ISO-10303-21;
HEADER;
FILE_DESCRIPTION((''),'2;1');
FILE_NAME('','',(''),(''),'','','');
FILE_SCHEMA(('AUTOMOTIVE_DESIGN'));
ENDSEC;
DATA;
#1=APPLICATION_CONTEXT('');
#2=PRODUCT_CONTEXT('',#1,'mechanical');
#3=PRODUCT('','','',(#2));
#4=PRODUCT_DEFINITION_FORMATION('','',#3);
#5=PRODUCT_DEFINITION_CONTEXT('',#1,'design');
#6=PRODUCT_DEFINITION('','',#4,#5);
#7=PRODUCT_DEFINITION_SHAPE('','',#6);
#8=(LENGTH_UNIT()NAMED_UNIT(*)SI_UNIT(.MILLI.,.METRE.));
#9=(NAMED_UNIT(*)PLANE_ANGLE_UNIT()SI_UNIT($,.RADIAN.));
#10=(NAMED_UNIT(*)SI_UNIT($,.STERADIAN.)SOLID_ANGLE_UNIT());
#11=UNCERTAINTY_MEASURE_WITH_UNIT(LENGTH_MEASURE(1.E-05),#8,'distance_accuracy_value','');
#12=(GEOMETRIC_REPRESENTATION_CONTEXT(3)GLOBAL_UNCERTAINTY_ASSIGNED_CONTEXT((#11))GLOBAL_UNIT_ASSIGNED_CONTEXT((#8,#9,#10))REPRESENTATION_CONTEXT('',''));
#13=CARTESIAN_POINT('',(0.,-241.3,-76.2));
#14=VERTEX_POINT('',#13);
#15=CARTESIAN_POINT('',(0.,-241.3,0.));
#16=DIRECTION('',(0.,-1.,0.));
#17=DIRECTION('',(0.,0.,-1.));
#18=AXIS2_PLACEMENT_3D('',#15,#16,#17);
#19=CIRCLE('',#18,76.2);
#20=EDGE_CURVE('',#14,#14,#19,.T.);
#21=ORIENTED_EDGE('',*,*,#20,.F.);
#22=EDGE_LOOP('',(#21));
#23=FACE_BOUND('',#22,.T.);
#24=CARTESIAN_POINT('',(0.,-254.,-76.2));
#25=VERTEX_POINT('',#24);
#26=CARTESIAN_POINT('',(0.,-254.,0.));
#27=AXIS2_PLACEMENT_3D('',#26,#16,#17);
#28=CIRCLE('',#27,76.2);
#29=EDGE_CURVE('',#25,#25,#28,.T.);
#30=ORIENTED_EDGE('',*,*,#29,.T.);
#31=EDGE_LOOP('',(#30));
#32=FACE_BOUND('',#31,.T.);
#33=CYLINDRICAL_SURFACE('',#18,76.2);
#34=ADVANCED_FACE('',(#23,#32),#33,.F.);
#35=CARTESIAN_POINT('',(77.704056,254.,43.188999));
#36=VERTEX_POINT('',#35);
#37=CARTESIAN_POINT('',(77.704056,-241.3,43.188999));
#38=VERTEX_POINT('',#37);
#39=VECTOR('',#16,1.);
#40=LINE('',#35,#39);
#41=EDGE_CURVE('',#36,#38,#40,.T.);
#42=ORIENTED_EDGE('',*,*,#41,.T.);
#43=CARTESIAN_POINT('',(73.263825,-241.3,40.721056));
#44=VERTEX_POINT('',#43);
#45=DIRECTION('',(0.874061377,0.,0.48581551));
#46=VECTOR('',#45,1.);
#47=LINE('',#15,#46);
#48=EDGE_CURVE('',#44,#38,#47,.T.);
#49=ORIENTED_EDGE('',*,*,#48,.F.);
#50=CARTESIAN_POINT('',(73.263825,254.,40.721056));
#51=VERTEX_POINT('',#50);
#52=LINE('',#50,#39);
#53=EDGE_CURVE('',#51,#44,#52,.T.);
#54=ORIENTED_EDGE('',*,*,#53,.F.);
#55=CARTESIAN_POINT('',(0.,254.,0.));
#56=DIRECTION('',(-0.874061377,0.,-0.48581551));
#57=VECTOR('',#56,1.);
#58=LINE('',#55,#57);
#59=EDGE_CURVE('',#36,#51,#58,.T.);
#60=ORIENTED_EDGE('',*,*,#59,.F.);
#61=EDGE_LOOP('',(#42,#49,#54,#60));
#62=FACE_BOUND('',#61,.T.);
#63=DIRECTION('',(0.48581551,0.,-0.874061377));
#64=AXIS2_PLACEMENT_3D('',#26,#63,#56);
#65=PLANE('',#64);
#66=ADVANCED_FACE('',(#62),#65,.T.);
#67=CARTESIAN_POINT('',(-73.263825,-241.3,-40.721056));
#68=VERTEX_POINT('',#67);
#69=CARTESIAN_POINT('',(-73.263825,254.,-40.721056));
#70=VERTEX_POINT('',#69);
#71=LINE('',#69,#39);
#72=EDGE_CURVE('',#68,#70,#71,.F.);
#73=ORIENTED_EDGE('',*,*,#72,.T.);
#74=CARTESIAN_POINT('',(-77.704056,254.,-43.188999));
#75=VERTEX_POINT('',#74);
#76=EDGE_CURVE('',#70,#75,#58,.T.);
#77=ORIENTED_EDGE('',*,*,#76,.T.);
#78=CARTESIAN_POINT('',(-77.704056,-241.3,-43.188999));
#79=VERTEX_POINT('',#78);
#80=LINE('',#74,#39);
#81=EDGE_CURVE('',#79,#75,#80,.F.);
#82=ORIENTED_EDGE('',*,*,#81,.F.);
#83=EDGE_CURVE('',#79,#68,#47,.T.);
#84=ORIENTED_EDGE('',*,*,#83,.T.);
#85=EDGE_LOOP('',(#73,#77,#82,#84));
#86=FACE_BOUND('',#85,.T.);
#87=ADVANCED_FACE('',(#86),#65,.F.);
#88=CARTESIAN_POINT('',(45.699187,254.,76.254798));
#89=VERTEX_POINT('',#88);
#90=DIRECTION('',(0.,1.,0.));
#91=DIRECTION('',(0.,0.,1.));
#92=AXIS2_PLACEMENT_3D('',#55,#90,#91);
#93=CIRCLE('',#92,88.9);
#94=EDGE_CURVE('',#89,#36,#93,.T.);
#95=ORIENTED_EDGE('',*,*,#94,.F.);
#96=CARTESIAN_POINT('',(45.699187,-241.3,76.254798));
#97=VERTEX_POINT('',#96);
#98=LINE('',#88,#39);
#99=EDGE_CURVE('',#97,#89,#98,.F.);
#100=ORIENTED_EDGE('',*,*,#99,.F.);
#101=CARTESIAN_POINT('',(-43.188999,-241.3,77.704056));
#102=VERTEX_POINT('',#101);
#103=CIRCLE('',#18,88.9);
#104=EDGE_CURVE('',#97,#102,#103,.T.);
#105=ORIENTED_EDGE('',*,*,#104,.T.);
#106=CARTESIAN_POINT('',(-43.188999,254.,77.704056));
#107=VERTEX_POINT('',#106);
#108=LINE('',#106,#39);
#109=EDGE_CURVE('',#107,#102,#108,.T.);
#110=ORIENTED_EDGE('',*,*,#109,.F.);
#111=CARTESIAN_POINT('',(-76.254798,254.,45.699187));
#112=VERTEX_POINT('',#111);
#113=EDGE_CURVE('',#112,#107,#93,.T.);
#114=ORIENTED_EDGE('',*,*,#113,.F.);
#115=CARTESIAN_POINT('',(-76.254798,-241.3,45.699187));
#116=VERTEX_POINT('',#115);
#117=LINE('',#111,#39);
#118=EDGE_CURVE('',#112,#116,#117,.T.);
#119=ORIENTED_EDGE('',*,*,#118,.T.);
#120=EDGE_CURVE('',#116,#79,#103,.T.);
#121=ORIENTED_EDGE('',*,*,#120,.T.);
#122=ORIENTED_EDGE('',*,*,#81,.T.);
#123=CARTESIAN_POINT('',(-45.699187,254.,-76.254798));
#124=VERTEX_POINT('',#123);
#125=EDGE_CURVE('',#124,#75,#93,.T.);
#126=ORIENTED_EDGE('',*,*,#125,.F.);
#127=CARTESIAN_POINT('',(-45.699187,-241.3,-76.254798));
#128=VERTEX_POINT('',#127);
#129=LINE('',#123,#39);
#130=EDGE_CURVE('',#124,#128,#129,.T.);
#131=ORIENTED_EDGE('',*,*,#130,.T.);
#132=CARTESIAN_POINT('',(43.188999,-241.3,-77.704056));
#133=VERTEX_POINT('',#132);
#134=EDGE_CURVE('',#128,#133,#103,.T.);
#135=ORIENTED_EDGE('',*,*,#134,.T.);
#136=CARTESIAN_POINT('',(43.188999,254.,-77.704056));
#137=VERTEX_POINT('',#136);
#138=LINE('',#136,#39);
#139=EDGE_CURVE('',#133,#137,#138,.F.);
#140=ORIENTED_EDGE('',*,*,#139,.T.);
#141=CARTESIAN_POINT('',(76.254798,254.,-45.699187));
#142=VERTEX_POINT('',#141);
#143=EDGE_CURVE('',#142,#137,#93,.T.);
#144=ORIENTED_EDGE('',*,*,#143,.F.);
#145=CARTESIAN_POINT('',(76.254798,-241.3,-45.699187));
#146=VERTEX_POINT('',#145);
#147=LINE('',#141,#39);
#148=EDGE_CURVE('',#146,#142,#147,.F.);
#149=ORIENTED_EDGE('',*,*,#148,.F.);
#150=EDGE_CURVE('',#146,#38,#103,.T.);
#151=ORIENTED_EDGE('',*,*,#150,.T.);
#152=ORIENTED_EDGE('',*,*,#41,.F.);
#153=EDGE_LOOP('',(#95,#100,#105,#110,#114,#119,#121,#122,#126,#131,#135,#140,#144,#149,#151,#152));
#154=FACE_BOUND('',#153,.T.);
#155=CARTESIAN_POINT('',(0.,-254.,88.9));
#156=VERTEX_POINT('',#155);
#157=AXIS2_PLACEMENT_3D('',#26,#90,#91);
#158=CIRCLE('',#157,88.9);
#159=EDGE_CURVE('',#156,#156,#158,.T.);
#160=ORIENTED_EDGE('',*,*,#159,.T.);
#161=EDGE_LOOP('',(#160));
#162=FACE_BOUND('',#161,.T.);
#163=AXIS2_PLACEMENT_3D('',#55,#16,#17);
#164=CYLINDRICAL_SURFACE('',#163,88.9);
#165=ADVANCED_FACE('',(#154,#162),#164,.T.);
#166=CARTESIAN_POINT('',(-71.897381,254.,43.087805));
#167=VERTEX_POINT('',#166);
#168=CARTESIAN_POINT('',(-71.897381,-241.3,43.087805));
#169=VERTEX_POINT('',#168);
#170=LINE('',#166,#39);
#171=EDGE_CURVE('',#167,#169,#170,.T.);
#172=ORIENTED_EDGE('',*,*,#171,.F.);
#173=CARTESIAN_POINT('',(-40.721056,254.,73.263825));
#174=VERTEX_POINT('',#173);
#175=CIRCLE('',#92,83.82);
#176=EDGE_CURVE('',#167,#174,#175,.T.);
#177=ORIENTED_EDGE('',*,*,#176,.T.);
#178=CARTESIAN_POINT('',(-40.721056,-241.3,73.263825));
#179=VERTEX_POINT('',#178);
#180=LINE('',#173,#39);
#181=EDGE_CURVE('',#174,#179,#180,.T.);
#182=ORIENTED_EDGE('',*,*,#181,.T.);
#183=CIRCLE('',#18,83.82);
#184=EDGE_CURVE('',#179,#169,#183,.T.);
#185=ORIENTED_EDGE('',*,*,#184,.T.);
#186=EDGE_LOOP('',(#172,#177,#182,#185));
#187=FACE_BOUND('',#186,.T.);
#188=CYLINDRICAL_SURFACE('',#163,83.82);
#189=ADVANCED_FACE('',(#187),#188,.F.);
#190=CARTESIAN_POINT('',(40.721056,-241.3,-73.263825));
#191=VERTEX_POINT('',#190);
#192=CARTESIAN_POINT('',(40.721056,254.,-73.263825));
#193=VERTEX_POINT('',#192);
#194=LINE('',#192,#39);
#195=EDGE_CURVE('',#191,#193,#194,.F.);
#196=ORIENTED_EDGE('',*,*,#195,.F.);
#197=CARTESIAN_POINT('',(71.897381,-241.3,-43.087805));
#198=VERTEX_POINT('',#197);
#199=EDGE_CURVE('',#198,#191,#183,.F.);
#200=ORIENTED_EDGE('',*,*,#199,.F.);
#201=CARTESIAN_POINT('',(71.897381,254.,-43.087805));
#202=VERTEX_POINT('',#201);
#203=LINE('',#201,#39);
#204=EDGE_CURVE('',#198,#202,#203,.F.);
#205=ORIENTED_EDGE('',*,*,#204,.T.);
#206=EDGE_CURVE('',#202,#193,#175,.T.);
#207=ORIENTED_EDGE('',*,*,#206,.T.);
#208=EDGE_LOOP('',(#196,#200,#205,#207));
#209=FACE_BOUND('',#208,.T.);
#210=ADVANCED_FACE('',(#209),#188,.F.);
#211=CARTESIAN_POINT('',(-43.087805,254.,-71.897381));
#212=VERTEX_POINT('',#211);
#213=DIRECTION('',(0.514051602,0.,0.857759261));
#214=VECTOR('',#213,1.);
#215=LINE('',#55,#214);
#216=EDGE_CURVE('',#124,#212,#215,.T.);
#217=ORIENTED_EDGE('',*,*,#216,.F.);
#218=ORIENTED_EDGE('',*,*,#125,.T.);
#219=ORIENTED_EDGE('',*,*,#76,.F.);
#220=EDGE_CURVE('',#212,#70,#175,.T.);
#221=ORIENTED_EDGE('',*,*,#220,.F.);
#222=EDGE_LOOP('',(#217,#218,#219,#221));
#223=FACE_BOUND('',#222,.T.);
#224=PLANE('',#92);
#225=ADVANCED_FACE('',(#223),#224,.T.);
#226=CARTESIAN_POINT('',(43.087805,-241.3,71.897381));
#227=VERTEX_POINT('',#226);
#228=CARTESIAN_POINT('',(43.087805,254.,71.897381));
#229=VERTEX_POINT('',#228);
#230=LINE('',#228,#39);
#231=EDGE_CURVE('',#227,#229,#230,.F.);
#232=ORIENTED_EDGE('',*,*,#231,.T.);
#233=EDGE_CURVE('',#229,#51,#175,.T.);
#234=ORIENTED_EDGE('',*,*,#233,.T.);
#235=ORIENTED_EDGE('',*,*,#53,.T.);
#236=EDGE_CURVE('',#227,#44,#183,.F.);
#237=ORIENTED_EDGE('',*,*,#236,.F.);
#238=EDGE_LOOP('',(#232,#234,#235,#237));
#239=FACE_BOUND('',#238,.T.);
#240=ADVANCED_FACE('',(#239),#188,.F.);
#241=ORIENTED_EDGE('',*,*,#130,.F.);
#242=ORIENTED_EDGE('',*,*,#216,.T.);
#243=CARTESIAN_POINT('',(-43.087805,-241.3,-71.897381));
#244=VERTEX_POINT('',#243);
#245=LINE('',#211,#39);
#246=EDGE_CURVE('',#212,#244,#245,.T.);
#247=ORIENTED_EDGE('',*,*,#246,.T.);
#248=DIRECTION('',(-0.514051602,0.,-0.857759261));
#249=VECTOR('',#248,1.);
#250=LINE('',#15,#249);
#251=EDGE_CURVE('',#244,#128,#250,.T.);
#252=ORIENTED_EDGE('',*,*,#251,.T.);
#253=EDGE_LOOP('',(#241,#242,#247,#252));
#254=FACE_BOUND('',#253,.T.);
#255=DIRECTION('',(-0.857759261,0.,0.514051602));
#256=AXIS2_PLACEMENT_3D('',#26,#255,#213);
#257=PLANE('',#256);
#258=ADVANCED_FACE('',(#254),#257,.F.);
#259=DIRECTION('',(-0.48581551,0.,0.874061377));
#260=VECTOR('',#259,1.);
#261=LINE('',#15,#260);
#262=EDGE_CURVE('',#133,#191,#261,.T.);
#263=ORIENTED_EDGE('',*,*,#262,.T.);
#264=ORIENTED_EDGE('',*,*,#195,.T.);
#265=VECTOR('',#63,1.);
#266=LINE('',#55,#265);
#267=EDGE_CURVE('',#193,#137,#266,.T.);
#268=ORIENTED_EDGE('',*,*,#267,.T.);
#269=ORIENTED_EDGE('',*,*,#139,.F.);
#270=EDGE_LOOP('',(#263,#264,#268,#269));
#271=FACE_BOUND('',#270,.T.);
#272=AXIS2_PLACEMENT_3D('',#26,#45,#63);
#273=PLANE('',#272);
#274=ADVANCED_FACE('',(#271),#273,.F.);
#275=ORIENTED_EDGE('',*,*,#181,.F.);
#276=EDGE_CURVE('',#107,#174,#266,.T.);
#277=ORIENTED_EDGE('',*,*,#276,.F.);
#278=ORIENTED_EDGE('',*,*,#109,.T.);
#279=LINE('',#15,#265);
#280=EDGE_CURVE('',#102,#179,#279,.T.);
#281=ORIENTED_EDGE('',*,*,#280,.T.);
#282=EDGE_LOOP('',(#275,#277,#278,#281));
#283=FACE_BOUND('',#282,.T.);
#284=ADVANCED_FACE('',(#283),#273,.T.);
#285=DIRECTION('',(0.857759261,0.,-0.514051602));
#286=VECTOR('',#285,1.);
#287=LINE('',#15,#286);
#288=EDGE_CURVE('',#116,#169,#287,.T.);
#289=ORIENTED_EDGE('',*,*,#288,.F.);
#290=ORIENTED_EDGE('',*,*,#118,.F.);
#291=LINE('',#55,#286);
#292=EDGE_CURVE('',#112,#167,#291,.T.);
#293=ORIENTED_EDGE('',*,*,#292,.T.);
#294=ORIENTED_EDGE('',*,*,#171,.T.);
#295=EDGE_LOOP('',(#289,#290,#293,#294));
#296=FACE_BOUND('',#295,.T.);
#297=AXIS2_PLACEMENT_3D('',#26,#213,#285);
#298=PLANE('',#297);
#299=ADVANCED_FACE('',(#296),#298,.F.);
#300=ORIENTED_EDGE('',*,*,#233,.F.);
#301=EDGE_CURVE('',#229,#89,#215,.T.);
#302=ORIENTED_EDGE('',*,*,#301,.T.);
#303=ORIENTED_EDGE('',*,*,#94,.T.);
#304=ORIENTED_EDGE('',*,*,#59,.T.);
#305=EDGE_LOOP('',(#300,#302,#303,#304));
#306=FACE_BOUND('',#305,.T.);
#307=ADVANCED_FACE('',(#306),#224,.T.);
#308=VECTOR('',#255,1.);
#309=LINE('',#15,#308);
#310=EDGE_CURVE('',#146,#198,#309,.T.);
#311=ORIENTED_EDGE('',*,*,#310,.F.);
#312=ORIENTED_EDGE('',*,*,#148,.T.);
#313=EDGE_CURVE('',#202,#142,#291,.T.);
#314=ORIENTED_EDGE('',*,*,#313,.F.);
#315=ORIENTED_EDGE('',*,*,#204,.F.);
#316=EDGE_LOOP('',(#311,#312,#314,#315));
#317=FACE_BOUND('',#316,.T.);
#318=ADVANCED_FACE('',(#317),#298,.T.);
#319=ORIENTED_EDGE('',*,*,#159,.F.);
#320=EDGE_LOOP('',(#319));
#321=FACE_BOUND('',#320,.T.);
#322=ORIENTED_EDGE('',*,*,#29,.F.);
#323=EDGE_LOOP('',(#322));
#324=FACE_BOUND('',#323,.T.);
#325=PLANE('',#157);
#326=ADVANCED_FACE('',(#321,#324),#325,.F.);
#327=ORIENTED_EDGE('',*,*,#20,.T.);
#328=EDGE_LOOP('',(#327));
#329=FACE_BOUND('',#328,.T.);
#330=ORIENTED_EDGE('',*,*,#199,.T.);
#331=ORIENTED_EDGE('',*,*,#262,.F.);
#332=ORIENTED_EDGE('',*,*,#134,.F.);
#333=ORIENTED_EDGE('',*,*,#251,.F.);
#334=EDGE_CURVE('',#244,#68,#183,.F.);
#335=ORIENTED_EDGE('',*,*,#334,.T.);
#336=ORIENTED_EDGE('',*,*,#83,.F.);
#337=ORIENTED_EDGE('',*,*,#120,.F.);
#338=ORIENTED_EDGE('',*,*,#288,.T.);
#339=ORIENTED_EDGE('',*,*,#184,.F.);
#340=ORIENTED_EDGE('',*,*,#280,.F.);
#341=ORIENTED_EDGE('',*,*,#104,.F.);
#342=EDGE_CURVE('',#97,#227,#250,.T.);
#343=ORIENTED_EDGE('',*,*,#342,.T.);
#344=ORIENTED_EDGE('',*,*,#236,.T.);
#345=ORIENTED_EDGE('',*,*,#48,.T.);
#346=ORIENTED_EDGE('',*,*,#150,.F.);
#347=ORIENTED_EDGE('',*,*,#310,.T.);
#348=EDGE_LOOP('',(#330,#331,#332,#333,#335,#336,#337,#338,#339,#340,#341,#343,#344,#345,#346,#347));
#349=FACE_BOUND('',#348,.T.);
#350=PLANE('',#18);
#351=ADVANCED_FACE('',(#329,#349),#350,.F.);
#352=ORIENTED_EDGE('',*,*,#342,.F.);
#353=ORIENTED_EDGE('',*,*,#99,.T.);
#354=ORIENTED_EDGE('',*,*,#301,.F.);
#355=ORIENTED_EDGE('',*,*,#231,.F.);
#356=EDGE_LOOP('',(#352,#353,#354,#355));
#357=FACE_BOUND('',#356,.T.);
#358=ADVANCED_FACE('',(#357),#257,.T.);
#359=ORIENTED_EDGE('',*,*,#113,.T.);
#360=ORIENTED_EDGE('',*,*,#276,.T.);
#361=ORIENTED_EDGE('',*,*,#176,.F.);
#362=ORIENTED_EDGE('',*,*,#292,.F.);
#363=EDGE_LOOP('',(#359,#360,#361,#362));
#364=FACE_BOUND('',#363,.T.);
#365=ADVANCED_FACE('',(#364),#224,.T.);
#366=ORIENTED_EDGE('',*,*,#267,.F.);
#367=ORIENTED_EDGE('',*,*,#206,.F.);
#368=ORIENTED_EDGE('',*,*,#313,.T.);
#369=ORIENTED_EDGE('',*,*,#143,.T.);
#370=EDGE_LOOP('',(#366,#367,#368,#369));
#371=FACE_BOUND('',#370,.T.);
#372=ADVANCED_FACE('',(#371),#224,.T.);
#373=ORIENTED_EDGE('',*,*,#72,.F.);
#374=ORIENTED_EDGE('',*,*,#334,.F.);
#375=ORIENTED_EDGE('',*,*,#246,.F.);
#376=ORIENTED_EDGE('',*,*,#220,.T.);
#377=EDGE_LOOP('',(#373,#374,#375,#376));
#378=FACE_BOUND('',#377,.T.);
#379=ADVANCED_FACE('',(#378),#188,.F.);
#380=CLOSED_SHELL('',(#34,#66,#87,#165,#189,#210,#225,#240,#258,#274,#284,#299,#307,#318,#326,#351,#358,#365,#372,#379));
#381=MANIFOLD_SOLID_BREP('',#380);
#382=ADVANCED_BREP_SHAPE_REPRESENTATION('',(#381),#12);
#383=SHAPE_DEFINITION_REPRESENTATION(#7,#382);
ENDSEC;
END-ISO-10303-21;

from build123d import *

# Parameters (mm, degrees)
SKETCH2_R               = 88.9
SKETCH2_R_2             = 83.82
BOSS_EXTRUDE1_DEPTH     = 254
CUT_EXTRUDE1_DEPTH      = 255
CUT_EXTRUDE1_DEPTH_BACK = 255
SKETCH4_R               = 88.9
SKETCH4_R_2             = 76.2
BOSS_EXTRUDE2_DEPTH     = 12.7


with BuildPart() as part:
    # Sketch2 → Boss-Extrude1 (new body, symmetric)
    with BuildSketch(Plane(origin=(0, 0, 0), x_dir=(1, 0, 0), z_dir=(0, 1, 0))):
        Circle(SKETCH2_R)
        Circle(SKETCH2_R_2, mode=Mode.SUBTRACT)
    extrude(amount=BOSS_EXTRUDE1_DEPTH, both=True)

    # Sketch3 → Cut-Extrude1 (cut, two sides)
    with BuildSketch(Plane(origin=(0, 0, 0), x_dir=(1, 0, 0), z_dir=(0, 1, 0))) as cut_extrude1_sk:
        Polygon((169.661755759, -94.300371224), (0, 0), (169.661755759, 101.677593364), align=None)
        Polygon((0, 0), (53.900027233, 96.974944394), (-58.116685864, 96.974944394), align=None)
        Polygon((-123.741299607, 68.777140945), (-123.741299607, -74.157652604), (0, 0), align=None)
        Polygon((-65.840936026, -118.45858783), (0, 0), (70.991745134, -118.45858783), align=None)
    extrude(amount=CUT_EXTRUDE1_DEPTH, mode=Mode.SUBTRACT)
    extrude(cut_extrude1_sk.sketch, amount=-CUT_EXTRUDE1_DEPTH_BACK, mode=Mode.SUBTRACT)

    # Sketch4 → Boss-Extrude2 (add)
    with BuildSketch(Plane.XZ.offset(254)):
        Circle(SKETCH4_R)
        Circle(SKETCH4_R_2, mode=Mode.SUBTRACT)
    extrude(amount=-BOSS_EXTRUDE2_DEPTH)


solid = part.part
